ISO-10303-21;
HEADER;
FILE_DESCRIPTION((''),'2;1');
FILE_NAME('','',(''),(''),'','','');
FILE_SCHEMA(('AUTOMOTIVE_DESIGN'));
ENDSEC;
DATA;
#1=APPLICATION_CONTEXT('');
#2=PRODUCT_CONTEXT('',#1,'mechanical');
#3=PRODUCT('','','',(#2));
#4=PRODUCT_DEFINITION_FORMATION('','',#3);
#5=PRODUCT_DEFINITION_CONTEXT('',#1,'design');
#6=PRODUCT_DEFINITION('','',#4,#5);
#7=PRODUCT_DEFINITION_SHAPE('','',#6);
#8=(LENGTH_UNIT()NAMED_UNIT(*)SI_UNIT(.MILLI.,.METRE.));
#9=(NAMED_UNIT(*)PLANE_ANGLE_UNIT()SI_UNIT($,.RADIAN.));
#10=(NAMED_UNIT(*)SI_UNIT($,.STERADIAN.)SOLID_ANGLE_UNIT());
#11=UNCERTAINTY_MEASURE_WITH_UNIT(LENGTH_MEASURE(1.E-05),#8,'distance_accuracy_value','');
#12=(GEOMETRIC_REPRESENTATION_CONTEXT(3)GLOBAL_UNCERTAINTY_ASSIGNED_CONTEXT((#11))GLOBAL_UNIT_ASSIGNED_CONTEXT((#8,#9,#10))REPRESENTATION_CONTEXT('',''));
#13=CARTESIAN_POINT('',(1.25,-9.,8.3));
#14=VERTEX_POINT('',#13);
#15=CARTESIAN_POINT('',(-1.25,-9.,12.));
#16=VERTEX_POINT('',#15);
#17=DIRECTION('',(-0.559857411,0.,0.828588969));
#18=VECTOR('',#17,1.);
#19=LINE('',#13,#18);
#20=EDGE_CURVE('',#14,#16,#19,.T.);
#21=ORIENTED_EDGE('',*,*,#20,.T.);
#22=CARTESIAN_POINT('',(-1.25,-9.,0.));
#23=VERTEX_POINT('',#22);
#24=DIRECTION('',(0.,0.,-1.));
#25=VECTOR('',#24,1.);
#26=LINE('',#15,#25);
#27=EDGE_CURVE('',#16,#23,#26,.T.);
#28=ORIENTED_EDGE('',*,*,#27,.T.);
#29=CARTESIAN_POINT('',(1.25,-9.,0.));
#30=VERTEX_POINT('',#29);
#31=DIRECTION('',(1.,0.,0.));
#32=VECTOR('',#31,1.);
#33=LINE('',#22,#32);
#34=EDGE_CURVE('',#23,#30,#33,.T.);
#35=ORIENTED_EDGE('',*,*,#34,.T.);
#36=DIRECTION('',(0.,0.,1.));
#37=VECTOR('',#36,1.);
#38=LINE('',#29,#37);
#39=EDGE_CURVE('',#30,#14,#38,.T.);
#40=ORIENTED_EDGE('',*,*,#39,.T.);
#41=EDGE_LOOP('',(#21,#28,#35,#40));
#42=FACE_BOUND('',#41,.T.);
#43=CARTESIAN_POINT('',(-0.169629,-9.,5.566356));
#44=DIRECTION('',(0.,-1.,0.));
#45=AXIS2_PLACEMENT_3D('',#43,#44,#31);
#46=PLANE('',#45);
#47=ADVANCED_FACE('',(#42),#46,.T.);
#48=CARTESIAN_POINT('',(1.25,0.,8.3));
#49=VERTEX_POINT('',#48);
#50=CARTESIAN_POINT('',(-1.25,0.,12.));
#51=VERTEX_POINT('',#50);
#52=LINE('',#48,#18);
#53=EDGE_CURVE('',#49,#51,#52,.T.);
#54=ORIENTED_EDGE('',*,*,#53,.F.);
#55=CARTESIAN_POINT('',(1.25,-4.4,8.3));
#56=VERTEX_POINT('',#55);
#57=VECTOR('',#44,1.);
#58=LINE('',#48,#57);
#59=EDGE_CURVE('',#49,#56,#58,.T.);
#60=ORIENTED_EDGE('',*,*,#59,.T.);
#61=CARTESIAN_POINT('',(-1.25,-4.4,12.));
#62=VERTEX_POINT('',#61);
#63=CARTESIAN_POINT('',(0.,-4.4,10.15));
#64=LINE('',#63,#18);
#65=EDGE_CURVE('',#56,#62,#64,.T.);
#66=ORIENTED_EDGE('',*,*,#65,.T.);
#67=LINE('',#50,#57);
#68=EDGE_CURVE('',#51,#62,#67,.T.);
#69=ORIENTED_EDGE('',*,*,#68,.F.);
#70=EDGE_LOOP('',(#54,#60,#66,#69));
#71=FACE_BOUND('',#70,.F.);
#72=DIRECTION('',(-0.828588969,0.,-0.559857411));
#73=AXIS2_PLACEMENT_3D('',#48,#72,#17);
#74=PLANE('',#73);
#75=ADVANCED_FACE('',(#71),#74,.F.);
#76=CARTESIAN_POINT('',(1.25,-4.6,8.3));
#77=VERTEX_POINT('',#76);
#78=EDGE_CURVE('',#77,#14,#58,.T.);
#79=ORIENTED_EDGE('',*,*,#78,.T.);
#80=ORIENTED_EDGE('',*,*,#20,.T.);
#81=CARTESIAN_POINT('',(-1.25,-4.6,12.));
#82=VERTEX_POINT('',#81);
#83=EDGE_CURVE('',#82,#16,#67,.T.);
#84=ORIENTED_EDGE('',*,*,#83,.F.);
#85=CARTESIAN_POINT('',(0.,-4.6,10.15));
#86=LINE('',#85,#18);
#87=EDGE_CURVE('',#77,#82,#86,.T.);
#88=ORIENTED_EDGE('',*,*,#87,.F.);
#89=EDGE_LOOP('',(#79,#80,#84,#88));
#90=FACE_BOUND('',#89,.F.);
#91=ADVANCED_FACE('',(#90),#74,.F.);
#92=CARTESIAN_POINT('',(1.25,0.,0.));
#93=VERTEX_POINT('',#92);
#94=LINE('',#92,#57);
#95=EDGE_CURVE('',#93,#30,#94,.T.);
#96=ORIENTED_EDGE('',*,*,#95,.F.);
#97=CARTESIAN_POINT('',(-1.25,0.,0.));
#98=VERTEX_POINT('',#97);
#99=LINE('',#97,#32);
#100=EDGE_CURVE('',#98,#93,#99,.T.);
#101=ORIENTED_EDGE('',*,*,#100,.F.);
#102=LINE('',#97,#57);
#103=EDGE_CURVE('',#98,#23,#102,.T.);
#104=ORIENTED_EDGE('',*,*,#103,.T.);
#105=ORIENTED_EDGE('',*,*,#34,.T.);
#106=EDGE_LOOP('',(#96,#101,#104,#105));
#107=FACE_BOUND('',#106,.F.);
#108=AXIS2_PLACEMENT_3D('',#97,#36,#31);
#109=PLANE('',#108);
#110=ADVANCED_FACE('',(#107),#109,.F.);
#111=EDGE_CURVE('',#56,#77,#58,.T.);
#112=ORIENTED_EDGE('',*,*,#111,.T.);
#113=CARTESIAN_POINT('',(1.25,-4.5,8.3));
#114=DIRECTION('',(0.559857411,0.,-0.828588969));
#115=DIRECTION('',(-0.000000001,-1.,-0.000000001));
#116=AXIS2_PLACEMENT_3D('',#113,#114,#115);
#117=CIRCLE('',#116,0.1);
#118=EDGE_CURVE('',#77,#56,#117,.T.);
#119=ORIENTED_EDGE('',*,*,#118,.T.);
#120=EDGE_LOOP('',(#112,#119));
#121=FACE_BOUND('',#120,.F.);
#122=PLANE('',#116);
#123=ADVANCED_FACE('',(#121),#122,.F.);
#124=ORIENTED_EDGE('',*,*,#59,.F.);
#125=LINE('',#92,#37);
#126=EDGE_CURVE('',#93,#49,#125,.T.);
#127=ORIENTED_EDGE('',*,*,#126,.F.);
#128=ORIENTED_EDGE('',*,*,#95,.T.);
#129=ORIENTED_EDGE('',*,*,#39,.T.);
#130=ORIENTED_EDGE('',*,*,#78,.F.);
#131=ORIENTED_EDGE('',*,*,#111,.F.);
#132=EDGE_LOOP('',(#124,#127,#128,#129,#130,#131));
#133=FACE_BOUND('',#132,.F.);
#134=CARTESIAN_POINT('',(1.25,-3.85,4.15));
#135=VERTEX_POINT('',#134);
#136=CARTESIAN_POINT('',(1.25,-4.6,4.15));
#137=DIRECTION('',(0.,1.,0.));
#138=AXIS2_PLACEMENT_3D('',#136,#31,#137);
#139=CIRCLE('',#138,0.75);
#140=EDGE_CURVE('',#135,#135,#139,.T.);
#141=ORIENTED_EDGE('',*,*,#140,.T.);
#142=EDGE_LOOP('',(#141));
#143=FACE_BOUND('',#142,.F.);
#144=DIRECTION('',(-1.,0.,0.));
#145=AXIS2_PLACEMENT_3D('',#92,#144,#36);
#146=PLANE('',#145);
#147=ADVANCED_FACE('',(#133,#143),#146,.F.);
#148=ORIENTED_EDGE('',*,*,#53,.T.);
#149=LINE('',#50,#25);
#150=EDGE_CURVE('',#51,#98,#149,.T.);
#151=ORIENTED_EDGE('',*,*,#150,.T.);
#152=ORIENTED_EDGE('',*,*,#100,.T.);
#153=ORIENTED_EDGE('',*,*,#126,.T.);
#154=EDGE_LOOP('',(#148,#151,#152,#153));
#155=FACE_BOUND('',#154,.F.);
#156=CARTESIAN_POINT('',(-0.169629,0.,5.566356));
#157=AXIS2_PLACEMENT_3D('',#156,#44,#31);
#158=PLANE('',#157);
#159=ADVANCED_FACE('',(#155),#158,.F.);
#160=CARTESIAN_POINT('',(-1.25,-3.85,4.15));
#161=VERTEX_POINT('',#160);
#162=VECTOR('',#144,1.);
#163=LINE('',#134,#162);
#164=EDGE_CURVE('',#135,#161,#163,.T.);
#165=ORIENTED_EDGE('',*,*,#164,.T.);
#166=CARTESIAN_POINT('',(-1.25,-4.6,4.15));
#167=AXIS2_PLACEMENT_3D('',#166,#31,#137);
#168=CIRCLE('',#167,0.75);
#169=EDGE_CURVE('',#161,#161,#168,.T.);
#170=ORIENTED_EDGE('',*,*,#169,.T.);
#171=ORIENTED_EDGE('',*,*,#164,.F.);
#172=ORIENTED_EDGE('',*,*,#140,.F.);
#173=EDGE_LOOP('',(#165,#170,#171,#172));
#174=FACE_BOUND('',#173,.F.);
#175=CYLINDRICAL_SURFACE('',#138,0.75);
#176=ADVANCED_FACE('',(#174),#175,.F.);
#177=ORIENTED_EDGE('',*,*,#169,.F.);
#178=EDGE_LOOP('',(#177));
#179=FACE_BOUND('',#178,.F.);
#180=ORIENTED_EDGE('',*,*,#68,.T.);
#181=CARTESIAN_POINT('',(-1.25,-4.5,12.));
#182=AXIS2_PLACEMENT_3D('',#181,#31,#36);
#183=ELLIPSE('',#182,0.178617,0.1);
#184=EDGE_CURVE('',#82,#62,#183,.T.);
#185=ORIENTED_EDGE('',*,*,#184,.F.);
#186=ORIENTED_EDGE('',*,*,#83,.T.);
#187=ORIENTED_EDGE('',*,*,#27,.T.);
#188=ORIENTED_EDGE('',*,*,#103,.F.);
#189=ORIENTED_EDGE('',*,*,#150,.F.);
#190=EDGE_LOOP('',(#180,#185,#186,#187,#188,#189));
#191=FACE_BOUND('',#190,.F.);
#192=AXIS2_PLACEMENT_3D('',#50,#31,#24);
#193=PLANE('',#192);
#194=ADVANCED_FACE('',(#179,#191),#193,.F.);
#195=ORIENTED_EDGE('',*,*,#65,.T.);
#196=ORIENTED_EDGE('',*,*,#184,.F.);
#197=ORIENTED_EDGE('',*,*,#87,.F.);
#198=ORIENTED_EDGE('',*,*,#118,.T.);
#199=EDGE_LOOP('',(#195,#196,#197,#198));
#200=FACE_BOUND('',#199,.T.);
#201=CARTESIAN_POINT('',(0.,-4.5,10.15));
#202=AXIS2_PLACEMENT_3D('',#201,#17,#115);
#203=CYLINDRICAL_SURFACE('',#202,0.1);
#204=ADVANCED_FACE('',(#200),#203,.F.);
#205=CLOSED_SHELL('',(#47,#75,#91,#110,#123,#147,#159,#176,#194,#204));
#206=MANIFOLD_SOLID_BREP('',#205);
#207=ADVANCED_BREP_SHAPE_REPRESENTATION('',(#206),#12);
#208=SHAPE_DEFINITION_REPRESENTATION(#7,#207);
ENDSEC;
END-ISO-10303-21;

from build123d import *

# Parameters (mm, degrees)
F1_DEPTH = 9
F2_W     = 0.1
F2_H     = 4.4654227124
F4_R     = 0.75
F5_DEPTH = 2.501


with BuildPart() as f1:
    # F0 (on Front) → F1 (new body)
    with BuildSketch(Plane.XZ):
        Polygon((-1.25, 12), (-1.25, 0), (1.25, 0), (1.25, 8.3), align=None)
    extrude(amount=F1_DEPTH)

    # F2 (on face) → F3 (revolve, cut)
    with BuildSketch(Plane(origin=(4.7085005015, 0, 3.1814192578), x_dir=(0, 1, 0), z_dir=(0.8285889687, 0, 0.5598574113))):
        with Locations((-4.55, 8.4101780322)):
            Rectangle(F2_W, F2_H)
    revolve(axis=Axis((0, -4.5, 10.15), (0.5598574113, 0, -0.8285889687)), mode=Mode.SUBTRACT)

    # F4 (on face) → F5 (cut, through all)
    with BuildSketch(Plane.YZ.offset(1.25)):
        with Locations((-4.6, 4.15)):
            Circle(F4_R)
    extrude(amount=-F5_DEPTH, mode=Mode.SUBTRACT)


solid = f1.part
